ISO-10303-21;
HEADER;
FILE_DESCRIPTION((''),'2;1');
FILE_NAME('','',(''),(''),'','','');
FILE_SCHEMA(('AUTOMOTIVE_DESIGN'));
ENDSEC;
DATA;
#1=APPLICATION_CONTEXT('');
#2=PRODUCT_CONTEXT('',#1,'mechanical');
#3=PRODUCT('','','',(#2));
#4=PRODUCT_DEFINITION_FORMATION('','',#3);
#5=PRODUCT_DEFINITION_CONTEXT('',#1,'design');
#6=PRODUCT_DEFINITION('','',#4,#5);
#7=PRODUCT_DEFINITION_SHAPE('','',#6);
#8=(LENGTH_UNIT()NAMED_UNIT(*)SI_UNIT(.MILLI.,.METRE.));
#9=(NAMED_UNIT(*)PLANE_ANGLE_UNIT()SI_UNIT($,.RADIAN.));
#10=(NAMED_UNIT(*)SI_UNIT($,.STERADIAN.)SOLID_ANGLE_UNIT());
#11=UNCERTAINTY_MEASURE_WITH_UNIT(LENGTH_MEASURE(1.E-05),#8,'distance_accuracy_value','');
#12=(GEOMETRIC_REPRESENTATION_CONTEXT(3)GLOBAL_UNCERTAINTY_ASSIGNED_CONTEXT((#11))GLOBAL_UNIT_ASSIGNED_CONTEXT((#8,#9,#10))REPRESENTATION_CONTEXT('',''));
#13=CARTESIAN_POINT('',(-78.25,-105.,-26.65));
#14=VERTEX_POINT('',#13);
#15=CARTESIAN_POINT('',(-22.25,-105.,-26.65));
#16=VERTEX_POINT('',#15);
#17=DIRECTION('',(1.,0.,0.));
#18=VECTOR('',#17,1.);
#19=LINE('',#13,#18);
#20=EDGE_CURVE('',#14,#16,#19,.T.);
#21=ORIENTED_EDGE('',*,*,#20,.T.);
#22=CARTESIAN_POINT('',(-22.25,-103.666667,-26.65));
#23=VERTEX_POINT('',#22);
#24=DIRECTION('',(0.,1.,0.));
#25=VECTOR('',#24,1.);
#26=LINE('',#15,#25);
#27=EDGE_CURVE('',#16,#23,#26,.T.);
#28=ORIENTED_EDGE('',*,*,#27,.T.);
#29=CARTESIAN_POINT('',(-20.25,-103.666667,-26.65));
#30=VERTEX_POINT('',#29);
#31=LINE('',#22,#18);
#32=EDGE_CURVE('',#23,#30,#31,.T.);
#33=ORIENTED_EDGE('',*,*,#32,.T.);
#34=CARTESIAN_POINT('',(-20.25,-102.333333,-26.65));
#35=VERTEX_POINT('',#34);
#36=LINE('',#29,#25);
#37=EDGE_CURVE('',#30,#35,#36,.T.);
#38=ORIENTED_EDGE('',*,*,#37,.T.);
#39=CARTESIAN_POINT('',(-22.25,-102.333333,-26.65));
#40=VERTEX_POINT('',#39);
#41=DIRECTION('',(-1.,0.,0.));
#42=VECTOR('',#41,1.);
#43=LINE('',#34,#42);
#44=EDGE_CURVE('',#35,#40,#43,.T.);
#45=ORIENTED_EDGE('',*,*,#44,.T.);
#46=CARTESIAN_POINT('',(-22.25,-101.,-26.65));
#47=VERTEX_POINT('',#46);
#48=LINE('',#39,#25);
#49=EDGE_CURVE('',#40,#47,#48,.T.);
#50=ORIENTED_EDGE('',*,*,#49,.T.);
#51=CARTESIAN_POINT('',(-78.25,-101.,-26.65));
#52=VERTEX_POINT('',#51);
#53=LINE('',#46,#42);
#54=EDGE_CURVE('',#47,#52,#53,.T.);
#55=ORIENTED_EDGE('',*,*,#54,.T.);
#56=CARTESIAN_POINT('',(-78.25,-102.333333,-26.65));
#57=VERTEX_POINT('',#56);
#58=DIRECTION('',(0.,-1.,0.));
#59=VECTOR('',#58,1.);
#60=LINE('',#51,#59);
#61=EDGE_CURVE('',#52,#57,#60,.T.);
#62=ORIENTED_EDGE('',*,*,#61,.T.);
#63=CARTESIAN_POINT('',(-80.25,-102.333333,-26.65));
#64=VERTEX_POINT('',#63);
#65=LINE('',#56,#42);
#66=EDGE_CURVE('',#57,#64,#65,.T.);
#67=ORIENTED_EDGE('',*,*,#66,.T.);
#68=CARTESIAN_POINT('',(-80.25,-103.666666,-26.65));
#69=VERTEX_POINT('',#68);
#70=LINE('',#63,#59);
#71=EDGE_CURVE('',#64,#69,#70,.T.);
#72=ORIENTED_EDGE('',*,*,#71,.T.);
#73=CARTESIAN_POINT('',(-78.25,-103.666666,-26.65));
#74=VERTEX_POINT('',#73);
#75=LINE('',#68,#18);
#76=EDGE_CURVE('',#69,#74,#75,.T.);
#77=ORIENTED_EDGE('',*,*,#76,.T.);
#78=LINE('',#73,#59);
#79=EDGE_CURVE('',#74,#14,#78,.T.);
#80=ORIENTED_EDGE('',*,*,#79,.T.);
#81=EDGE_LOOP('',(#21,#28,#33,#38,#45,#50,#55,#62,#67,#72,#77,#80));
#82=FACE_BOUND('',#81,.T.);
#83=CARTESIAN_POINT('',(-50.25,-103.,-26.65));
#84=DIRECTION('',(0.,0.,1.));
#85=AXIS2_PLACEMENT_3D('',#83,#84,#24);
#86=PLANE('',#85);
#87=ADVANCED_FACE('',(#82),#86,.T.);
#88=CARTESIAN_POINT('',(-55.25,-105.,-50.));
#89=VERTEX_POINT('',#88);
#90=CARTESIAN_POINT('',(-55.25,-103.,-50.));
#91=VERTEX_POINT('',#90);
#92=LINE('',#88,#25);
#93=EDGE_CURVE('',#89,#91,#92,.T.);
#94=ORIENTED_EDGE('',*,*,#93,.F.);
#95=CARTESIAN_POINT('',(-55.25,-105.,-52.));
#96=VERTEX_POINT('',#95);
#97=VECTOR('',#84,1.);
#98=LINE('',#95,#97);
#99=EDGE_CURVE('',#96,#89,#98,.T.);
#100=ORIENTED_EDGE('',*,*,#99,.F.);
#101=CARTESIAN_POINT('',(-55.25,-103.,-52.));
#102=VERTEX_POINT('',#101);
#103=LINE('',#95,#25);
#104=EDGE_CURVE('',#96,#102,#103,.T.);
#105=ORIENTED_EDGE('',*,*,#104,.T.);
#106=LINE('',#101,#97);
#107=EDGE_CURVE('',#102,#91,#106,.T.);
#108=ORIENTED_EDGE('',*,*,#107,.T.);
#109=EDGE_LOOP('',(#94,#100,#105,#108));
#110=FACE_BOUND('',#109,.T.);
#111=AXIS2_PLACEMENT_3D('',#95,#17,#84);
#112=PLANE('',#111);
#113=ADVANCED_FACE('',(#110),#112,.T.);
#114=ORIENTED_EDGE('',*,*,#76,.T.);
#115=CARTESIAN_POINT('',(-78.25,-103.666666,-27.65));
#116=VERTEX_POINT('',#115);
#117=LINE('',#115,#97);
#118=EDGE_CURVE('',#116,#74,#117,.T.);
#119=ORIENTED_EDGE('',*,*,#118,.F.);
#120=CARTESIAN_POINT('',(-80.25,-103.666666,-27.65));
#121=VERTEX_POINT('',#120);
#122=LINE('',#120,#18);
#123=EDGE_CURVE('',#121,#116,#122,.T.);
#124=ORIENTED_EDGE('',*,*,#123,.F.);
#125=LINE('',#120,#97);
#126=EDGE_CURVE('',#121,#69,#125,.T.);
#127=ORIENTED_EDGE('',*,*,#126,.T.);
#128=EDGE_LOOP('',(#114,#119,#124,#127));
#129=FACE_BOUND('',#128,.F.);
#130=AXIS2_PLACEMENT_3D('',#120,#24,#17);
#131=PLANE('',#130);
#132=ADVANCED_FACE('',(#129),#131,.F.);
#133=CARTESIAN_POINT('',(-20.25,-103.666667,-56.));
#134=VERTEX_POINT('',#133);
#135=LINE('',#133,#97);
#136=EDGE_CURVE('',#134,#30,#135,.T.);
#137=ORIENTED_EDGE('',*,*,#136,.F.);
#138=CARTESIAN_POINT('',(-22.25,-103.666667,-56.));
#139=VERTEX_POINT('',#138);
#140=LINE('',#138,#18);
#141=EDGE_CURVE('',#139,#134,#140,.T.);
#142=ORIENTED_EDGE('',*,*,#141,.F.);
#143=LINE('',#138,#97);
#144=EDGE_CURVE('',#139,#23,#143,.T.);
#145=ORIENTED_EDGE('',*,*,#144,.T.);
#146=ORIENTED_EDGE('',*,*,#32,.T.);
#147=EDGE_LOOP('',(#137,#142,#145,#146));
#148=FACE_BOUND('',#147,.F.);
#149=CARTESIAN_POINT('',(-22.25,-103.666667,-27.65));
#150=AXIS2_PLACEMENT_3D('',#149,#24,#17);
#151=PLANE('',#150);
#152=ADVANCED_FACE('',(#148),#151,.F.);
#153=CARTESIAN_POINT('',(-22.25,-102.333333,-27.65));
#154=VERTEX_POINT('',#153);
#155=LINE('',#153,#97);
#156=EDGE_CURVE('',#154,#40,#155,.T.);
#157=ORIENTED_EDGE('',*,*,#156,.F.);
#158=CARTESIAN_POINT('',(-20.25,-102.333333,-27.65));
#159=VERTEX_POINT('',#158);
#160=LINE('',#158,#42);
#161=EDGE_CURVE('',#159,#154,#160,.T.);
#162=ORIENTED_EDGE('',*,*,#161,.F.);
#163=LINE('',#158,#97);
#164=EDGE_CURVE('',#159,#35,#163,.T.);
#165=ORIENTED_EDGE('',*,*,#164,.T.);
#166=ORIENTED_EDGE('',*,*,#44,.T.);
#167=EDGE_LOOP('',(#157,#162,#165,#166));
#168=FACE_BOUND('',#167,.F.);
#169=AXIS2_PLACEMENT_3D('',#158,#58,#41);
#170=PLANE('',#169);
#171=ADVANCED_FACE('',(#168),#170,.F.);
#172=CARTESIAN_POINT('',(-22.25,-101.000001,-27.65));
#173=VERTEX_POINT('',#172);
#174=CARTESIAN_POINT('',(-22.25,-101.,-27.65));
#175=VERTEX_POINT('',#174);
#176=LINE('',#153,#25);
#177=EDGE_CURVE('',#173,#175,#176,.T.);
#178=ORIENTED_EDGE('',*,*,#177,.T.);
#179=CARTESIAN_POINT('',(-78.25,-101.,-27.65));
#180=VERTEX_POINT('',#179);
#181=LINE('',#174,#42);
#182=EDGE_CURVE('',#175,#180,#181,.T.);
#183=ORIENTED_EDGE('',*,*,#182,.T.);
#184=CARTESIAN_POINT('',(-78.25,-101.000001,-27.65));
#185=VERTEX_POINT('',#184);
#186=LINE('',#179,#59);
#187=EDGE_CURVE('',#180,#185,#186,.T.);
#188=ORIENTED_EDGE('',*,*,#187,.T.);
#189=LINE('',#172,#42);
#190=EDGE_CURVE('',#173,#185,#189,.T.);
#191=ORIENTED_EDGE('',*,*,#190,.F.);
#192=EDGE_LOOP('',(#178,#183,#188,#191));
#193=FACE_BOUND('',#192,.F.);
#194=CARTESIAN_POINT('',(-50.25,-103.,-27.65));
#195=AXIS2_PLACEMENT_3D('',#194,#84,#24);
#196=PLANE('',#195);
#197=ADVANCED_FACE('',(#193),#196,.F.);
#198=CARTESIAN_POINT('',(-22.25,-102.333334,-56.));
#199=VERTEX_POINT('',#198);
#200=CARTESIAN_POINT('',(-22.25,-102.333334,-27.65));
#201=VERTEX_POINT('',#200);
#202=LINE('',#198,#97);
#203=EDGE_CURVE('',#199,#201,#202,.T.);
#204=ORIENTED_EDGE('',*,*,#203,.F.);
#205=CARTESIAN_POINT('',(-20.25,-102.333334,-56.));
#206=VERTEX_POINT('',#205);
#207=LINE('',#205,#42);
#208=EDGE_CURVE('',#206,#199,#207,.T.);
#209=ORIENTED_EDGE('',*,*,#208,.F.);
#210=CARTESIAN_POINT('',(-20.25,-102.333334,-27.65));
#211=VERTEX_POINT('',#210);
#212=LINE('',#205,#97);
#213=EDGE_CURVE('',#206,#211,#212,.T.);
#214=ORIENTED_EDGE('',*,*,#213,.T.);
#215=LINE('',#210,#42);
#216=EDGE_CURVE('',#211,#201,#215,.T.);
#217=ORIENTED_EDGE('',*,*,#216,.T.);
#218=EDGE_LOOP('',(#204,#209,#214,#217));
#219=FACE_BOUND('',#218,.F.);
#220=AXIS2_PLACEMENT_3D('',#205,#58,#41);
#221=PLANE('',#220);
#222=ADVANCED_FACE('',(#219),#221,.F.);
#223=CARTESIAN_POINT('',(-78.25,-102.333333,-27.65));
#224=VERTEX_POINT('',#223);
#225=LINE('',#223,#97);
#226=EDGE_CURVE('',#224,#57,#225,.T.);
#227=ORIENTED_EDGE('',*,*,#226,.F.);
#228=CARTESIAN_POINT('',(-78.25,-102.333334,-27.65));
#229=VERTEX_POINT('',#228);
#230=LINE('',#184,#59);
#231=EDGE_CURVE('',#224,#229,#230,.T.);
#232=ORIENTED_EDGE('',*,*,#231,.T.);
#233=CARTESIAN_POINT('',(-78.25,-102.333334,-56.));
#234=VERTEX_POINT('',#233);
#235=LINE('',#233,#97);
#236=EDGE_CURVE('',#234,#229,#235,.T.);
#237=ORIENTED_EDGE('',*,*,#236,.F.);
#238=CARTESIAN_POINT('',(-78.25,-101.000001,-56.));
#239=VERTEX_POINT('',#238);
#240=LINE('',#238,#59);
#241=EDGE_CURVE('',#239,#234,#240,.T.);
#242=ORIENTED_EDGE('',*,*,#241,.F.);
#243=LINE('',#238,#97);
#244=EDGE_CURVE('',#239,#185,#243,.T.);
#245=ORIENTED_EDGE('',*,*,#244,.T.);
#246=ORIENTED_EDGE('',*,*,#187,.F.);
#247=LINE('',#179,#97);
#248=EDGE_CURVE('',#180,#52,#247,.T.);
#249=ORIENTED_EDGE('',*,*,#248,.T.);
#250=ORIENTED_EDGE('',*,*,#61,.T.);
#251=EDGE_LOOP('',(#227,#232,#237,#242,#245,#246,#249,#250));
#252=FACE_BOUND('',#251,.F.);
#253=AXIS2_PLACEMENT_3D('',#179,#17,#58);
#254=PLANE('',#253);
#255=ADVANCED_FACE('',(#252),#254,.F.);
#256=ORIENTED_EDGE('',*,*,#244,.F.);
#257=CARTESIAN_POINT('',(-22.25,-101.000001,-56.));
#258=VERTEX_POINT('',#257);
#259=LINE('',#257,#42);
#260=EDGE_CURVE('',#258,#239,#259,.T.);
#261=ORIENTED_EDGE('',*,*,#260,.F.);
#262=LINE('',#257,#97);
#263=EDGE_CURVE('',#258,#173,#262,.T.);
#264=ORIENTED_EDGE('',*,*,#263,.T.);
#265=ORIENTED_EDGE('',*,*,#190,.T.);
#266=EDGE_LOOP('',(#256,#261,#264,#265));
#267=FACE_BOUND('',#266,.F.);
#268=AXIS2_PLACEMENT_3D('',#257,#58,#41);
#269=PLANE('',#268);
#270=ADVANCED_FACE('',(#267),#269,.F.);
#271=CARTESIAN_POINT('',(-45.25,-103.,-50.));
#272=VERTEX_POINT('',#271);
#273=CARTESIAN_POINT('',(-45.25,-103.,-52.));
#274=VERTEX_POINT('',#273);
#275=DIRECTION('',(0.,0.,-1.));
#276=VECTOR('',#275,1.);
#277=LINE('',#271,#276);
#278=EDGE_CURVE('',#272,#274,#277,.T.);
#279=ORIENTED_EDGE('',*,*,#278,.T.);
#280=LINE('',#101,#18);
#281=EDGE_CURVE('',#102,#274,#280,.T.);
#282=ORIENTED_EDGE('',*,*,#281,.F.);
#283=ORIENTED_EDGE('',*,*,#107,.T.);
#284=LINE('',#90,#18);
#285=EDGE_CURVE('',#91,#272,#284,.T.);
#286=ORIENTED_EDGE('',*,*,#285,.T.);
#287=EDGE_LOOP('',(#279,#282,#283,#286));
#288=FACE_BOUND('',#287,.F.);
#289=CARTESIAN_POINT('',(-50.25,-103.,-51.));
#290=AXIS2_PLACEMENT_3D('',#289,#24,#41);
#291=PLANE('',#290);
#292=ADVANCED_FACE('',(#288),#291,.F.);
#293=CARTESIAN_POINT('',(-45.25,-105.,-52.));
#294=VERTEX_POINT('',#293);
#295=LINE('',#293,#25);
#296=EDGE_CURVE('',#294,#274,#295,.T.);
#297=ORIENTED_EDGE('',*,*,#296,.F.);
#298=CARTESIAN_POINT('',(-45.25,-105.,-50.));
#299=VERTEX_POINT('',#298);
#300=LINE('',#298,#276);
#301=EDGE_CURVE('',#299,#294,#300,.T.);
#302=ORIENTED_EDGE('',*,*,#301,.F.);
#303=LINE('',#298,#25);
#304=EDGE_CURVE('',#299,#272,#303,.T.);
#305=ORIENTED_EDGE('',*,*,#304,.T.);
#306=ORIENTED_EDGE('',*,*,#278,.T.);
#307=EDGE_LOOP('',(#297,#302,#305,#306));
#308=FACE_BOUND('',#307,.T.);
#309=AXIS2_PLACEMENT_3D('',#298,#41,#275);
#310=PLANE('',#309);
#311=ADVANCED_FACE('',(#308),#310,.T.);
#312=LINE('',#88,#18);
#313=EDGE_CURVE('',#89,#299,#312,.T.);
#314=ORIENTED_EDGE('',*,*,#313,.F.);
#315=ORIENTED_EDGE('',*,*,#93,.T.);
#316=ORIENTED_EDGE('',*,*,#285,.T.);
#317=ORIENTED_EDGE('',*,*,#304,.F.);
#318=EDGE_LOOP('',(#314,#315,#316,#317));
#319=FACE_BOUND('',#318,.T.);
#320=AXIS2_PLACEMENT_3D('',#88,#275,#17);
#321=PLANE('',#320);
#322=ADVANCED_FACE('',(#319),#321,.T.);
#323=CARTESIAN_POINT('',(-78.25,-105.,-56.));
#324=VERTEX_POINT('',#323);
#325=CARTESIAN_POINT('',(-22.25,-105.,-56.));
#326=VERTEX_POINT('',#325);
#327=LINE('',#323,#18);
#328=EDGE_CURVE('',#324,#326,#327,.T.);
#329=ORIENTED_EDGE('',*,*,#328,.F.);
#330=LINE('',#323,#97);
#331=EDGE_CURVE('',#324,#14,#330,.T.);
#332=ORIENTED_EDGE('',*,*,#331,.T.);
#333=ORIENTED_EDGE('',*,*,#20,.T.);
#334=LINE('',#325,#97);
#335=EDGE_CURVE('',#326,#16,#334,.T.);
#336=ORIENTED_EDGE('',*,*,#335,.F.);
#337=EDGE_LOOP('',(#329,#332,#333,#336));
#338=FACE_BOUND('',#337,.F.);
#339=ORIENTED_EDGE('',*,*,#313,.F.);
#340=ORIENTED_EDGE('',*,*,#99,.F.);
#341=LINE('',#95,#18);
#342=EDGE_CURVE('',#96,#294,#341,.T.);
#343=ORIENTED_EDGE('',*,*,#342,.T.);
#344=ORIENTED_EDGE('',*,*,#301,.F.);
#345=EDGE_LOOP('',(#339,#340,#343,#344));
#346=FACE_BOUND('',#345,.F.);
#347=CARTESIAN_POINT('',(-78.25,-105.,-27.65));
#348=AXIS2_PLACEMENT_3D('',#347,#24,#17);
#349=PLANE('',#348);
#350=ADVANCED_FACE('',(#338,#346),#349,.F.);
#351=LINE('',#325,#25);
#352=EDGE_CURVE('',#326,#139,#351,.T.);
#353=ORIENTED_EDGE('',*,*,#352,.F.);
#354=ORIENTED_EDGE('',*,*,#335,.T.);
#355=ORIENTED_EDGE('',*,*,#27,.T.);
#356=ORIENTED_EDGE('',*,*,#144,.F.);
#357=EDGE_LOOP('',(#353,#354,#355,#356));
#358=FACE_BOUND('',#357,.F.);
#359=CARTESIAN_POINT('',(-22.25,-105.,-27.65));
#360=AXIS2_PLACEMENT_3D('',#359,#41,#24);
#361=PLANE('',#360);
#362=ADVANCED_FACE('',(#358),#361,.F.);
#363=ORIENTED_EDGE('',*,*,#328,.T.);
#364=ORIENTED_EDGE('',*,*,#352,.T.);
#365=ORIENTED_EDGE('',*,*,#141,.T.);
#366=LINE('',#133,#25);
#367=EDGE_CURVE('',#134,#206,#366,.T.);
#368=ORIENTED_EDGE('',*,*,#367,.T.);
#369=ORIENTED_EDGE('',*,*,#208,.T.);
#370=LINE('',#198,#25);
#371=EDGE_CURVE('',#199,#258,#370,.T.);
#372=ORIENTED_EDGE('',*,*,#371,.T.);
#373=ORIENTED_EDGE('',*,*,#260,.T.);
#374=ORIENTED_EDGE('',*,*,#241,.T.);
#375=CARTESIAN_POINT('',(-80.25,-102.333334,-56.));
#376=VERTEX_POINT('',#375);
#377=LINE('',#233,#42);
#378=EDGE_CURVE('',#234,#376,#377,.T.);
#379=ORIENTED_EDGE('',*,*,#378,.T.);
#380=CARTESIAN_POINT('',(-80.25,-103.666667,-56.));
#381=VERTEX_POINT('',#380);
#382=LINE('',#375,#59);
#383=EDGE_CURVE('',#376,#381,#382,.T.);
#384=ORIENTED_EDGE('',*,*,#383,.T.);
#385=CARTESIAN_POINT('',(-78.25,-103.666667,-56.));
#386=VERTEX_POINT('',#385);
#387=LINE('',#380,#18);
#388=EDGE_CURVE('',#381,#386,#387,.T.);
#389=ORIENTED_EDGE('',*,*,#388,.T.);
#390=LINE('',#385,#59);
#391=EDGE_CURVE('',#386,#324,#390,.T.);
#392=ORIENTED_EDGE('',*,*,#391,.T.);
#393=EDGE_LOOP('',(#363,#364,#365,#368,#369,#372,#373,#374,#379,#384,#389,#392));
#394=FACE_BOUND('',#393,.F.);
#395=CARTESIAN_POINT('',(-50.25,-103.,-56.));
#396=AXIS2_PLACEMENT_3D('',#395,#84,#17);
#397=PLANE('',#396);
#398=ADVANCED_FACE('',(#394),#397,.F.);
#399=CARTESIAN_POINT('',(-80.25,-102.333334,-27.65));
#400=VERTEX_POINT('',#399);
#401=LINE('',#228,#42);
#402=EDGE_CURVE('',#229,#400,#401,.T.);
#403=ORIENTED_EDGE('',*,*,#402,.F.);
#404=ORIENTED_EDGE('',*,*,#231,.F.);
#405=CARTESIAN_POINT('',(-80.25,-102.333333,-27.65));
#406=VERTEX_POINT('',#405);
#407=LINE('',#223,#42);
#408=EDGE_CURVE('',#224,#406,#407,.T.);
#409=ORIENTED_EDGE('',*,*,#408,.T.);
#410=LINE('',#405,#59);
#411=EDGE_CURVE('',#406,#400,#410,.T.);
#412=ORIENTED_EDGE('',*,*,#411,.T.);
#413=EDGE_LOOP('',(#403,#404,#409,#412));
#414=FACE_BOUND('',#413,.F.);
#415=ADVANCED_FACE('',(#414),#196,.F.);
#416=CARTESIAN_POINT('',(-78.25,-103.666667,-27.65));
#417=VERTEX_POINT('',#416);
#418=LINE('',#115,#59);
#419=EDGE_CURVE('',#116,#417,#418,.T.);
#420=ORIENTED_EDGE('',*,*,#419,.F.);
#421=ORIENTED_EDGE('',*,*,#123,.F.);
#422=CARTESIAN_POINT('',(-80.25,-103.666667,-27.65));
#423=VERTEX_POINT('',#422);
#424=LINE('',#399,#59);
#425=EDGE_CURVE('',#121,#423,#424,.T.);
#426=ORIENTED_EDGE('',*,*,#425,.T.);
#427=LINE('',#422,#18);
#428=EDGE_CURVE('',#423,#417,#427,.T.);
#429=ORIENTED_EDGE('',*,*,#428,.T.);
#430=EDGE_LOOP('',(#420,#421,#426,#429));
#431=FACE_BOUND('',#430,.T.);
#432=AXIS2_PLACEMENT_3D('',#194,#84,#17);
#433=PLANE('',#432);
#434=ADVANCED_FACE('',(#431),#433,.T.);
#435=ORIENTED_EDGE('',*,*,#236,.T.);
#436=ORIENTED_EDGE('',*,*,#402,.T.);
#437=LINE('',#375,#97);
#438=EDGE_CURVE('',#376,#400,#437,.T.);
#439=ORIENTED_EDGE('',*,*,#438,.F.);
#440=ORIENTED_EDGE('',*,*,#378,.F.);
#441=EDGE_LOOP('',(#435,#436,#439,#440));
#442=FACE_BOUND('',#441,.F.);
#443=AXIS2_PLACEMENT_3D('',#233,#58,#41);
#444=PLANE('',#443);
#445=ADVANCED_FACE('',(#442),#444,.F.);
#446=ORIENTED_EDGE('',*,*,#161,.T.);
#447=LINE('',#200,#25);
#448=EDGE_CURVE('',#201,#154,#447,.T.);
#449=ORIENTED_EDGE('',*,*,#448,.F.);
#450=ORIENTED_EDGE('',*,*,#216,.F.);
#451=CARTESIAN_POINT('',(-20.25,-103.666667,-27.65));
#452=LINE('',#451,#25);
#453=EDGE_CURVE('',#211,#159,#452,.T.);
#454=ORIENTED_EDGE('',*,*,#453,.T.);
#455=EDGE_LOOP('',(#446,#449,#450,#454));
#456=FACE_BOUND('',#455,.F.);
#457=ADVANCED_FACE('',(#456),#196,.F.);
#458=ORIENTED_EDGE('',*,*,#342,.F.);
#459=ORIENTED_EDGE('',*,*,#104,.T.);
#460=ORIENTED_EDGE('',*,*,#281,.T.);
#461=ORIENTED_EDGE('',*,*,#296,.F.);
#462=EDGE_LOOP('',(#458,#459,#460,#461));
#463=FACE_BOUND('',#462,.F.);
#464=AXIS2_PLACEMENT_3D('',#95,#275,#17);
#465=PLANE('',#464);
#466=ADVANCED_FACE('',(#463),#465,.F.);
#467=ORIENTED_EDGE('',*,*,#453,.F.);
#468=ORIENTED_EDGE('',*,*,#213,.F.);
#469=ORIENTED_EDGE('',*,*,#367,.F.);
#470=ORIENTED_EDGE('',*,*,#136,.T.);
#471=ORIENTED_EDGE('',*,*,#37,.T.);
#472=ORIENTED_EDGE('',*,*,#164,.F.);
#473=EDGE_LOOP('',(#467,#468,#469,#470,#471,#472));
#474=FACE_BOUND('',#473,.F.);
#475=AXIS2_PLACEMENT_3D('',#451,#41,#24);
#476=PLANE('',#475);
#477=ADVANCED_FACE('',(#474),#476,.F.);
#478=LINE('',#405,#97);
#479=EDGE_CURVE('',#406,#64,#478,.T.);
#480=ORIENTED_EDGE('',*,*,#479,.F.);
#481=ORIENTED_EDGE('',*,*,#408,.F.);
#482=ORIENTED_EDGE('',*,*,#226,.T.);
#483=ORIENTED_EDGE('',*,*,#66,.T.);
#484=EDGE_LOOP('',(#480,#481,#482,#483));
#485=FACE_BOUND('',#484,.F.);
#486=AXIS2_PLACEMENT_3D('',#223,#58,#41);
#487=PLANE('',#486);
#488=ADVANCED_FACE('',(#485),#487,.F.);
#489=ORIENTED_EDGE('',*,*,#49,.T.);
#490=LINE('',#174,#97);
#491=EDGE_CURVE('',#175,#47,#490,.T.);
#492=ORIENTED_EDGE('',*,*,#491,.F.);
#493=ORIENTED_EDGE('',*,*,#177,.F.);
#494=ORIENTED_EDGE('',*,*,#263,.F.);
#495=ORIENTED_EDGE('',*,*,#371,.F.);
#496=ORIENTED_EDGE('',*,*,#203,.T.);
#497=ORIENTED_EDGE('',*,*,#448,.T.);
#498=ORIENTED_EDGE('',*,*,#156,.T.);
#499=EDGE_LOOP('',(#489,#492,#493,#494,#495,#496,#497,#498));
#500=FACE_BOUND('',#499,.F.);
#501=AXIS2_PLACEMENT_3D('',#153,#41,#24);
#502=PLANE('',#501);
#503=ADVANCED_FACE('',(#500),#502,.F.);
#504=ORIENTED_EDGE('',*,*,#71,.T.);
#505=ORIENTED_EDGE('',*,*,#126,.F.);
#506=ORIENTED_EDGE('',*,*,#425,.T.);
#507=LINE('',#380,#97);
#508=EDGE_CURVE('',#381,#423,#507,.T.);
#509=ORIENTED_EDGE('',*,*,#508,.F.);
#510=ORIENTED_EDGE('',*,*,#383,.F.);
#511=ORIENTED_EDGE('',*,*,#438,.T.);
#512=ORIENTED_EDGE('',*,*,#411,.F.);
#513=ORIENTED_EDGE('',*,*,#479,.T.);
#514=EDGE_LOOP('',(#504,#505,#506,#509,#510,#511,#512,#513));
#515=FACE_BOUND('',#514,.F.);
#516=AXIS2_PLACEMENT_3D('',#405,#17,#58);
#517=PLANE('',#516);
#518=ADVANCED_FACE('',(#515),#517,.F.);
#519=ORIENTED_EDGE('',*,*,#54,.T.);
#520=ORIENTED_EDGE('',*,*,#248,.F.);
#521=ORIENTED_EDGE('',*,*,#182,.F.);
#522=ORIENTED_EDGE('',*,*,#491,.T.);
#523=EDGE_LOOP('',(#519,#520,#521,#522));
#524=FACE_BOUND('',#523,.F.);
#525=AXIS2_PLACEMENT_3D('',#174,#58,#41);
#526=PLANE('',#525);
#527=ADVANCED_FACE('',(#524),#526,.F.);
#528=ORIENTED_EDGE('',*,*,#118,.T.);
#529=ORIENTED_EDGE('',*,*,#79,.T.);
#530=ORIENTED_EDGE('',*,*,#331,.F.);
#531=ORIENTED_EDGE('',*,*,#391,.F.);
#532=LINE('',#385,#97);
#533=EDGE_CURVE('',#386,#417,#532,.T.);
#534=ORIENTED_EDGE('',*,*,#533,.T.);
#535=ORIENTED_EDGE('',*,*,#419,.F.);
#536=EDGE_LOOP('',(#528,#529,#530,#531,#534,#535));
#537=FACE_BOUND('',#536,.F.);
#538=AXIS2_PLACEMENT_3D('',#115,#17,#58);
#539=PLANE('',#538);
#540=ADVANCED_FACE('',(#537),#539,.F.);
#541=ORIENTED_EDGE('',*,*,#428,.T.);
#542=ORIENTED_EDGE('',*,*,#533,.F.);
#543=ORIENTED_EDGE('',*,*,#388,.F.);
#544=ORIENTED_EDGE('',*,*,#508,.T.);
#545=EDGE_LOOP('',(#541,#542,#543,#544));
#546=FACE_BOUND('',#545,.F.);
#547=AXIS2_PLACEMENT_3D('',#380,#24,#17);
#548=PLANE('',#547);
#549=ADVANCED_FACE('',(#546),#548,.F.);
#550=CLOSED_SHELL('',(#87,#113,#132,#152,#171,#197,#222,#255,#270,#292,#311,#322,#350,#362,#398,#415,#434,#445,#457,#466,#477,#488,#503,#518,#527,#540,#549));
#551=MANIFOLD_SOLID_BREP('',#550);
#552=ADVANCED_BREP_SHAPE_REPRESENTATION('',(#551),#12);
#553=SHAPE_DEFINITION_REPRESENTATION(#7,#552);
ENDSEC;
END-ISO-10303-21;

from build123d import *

# Parameters (mm, degrees)
PAD015_DEPTH    = 28.35
POCKET020_DEPTH = 2
PAD045_DEPTH    = 1


with BuildPart() as part:
    # Sketch029 → Pad015 (new body)
    with BuildSketch(Plane.XY):
        Polygon((-78.25, -81.000001), (-78.25, -82.333334), (-80.25, -82.333334), (-80.25, -83.666667), (-78.25, -83.666667), (-78.25, -85), (-22.25, -85), (-22.25, -83.666667), (-20.25, -83.666667), (-20.25, -82.333334), (-22.25, -82.333334), (-22.25, -81.000001), align=None)
    extrude(amount=PAD015_DEPTH)

    # Sketch037 (on Face6 of Pad015) → Pocket020 (cut)
    with BuildSketch(Plane.XZ.offset(85)):
        Polygon((-55.25, 6), (-45.25, 6), (-45.25, 4), (-50.25, 4), (-55.25, 4), align=None)
    extrude(amount=-POCKET020_DEPTH, mode=Mode.SUBTRACT)

    # Pocket020 Face5 → Pad045 (add)
    with BuildSketch(Plane(origin=(-50.25, -83, 28.35), x_dir=(0, 1, 0), z_dir=(0, 0, 1))):
        Polygon((2, 28), (0.666667, 28), (0.666667, 30), (-0.666666, 30), (-0.666666, 28), (-2, 28), (-2, -28), (-0.666667, -28), (-0.666667, -30), (0.666667, -30), (0.666667, -28), (2, -28), align=None)
    extrude(amount=PAD045_DEPTH)


with BuildPart() as part_1:
    # Body003 placement: moved
    add(part.part.moved(Location((0, -20, -56))))


solid = part_1.part
